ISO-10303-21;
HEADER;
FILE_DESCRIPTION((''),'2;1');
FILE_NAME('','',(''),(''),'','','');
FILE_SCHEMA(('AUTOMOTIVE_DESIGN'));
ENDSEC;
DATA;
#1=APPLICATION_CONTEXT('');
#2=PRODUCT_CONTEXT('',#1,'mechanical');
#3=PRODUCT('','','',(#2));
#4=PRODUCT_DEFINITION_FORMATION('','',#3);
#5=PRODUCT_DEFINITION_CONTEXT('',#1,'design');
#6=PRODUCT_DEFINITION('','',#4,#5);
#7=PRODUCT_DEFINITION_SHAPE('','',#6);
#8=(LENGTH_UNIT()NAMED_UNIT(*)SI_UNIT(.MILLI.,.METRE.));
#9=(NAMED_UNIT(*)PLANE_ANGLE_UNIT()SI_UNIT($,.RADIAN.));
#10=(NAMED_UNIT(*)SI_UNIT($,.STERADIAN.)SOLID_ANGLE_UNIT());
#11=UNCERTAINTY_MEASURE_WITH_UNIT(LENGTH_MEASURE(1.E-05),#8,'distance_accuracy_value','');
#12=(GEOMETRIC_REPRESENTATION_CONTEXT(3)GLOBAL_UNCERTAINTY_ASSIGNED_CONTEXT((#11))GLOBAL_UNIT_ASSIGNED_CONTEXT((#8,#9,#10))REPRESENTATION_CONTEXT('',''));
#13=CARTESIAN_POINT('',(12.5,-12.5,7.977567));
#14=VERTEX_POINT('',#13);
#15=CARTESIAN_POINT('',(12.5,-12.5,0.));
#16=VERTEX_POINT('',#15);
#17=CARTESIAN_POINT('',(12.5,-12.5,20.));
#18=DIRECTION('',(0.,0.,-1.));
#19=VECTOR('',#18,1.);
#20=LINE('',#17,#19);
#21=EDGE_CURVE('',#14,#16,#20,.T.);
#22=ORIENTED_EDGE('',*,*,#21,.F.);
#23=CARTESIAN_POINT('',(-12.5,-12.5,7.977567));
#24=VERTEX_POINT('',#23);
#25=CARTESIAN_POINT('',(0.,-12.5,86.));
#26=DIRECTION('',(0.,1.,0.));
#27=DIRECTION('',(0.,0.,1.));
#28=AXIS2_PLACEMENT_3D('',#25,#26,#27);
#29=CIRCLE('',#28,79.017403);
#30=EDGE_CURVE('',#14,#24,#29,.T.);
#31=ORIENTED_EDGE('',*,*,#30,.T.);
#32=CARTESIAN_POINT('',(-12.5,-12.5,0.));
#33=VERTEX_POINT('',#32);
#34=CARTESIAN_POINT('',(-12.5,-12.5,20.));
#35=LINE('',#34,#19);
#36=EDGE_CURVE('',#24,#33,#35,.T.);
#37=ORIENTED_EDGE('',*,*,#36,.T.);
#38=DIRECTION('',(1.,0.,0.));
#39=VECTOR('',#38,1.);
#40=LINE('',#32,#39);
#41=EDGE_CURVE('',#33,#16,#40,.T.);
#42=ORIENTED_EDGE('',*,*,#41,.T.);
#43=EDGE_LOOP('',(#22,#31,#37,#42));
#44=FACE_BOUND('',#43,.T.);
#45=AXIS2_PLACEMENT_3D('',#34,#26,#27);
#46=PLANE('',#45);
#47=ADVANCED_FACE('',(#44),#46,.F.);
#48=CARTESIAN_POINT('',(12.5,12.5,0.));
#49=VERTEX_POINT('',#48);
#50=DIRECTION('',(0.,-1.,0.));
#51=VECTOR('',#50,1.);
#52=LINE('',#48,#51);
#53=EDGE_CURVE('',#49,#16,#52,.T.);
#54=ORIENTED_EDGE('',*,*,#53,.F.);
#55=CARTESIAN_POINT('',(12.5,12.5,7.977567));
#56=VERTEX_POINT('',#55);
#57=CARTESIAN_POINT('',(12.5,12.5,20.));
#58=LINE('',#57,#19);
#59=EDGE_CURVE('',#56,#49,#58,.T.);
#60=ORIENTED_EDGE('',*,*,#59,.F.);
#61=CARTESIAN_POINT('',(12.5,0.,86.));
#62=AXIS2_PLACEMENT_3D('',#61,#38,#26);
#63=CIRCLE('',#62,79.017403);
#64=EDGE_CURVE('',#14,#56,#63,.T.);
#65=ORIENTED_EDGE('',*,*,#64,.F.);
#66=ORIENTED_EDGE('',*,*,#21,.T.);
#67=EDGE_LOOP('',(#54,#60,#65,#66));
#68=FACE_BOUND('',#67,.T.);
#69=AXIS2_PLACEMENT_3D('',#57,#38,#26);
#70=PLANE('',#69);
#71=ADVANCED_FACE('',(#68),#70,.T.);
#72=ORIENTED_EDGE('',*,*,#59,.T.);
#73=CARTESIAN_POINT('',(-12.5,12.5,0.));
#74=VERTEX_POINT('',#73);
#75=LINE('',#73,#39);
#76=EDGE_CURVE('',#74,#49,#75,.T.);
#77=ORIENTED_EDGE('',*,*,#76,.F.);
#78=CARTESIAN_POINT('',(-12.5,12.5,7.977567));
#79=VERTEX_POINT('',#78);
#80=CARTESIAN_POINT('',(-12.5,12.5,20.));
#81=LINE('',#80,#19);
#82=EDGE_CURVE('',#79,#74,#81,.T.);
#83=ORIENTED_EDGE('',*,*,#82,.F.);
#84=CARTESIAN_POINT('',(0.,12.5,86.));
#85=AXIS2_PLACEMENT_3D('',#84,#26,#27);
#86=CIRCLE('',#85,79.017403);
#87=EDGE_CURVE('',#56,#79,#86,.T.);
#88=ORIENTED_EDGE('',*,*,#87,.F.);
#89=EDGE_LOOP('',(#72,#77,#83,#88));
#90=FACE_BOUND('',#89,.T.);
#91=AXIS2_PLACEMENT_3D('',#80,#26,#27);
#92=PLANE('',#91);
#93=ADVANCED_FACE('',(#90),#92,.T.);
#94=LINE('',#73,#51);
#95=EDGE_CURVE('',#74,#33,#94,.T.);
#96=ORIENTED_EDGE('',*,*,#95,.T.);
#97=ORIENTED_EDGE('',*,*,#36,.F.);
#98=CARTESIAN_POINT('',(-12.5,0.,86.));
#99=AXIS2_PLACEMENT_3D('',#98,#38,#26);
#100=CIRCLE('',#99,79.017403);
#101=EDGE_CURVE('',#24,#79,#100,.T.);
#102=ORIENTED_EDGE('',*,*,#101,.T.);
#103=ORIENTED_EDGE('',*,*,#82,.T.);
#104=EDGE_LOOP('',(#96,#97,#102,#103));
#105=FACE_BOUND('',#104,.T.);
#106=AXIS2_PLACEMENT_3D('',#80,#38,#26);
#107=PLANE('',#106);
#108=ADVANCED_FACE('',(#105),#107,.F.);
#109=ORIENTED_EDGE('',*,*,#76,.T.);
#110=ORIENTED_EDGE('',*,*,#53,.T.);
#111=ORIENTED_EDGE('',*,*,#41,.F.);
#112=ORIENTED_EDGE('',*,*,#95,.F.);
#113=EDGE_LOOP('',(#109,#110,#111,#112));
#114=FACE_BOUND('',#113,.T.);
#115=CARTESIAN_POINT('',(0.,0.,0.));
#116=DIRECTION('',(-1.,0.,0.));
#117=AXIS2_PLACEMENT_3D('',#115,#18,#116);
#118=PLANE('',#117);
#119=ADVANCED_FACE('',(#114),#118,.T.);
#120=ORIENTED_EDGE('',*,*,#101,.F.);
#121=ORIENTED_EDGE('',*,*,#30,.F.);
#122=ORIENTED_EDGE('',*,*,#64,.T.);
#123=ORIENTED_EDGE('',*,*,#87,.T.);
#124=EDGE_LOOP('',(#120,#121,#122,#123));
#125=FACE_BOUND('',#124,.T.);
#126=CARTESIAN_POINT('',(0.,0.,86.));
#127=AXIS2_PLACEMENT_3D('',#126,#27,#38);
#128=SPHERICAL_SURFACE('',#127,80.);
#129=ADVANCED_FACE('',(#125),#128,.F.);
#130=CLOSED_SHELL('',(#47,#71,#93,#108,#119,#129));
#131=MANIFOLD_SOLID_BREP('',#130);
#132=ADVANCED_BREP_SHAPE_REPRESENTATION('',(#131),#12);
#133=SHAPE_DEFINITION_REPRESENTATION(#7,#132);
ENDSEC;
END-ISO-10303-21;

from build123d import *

# Parameters (mm, degrees)
SKETCH_1_W      = 25
SKETCH_1_H      = 25
EXTRUDE_1_DEPTH = 20


with BuildPart() as part:
    # 草图1 → 凸台-拉伸1 (new body)
    with BuildSketch(Plane.XY):
        Rectangle(SKETCH_1_W, SKETCH_1_H)
    extrude(amount=EXTRUDE_1_DEPTH)

    # 草图2 → 切除-旋转2 (revolve, cut)
    with BuildSketch(Plane(origin=(0, 0, 0), x_dir=(1, 0, 0), z_dir=(0, 1, 0))):
        with BuildLine():
            Line((77.987636945, -68.169450829), (0, -68.169450829))
            Line((0, -68.169450829), (0, -6))
            ThreePointArc((0, -6), (49.867605047, -23.444249131), (77.987636945, -68.169450829))
        make_face()
    revolve(axis=Axis((0, 0, 68.169450829), (0, 0, -1)), mode=Mode.SUBTRACT)


solid = part.part
